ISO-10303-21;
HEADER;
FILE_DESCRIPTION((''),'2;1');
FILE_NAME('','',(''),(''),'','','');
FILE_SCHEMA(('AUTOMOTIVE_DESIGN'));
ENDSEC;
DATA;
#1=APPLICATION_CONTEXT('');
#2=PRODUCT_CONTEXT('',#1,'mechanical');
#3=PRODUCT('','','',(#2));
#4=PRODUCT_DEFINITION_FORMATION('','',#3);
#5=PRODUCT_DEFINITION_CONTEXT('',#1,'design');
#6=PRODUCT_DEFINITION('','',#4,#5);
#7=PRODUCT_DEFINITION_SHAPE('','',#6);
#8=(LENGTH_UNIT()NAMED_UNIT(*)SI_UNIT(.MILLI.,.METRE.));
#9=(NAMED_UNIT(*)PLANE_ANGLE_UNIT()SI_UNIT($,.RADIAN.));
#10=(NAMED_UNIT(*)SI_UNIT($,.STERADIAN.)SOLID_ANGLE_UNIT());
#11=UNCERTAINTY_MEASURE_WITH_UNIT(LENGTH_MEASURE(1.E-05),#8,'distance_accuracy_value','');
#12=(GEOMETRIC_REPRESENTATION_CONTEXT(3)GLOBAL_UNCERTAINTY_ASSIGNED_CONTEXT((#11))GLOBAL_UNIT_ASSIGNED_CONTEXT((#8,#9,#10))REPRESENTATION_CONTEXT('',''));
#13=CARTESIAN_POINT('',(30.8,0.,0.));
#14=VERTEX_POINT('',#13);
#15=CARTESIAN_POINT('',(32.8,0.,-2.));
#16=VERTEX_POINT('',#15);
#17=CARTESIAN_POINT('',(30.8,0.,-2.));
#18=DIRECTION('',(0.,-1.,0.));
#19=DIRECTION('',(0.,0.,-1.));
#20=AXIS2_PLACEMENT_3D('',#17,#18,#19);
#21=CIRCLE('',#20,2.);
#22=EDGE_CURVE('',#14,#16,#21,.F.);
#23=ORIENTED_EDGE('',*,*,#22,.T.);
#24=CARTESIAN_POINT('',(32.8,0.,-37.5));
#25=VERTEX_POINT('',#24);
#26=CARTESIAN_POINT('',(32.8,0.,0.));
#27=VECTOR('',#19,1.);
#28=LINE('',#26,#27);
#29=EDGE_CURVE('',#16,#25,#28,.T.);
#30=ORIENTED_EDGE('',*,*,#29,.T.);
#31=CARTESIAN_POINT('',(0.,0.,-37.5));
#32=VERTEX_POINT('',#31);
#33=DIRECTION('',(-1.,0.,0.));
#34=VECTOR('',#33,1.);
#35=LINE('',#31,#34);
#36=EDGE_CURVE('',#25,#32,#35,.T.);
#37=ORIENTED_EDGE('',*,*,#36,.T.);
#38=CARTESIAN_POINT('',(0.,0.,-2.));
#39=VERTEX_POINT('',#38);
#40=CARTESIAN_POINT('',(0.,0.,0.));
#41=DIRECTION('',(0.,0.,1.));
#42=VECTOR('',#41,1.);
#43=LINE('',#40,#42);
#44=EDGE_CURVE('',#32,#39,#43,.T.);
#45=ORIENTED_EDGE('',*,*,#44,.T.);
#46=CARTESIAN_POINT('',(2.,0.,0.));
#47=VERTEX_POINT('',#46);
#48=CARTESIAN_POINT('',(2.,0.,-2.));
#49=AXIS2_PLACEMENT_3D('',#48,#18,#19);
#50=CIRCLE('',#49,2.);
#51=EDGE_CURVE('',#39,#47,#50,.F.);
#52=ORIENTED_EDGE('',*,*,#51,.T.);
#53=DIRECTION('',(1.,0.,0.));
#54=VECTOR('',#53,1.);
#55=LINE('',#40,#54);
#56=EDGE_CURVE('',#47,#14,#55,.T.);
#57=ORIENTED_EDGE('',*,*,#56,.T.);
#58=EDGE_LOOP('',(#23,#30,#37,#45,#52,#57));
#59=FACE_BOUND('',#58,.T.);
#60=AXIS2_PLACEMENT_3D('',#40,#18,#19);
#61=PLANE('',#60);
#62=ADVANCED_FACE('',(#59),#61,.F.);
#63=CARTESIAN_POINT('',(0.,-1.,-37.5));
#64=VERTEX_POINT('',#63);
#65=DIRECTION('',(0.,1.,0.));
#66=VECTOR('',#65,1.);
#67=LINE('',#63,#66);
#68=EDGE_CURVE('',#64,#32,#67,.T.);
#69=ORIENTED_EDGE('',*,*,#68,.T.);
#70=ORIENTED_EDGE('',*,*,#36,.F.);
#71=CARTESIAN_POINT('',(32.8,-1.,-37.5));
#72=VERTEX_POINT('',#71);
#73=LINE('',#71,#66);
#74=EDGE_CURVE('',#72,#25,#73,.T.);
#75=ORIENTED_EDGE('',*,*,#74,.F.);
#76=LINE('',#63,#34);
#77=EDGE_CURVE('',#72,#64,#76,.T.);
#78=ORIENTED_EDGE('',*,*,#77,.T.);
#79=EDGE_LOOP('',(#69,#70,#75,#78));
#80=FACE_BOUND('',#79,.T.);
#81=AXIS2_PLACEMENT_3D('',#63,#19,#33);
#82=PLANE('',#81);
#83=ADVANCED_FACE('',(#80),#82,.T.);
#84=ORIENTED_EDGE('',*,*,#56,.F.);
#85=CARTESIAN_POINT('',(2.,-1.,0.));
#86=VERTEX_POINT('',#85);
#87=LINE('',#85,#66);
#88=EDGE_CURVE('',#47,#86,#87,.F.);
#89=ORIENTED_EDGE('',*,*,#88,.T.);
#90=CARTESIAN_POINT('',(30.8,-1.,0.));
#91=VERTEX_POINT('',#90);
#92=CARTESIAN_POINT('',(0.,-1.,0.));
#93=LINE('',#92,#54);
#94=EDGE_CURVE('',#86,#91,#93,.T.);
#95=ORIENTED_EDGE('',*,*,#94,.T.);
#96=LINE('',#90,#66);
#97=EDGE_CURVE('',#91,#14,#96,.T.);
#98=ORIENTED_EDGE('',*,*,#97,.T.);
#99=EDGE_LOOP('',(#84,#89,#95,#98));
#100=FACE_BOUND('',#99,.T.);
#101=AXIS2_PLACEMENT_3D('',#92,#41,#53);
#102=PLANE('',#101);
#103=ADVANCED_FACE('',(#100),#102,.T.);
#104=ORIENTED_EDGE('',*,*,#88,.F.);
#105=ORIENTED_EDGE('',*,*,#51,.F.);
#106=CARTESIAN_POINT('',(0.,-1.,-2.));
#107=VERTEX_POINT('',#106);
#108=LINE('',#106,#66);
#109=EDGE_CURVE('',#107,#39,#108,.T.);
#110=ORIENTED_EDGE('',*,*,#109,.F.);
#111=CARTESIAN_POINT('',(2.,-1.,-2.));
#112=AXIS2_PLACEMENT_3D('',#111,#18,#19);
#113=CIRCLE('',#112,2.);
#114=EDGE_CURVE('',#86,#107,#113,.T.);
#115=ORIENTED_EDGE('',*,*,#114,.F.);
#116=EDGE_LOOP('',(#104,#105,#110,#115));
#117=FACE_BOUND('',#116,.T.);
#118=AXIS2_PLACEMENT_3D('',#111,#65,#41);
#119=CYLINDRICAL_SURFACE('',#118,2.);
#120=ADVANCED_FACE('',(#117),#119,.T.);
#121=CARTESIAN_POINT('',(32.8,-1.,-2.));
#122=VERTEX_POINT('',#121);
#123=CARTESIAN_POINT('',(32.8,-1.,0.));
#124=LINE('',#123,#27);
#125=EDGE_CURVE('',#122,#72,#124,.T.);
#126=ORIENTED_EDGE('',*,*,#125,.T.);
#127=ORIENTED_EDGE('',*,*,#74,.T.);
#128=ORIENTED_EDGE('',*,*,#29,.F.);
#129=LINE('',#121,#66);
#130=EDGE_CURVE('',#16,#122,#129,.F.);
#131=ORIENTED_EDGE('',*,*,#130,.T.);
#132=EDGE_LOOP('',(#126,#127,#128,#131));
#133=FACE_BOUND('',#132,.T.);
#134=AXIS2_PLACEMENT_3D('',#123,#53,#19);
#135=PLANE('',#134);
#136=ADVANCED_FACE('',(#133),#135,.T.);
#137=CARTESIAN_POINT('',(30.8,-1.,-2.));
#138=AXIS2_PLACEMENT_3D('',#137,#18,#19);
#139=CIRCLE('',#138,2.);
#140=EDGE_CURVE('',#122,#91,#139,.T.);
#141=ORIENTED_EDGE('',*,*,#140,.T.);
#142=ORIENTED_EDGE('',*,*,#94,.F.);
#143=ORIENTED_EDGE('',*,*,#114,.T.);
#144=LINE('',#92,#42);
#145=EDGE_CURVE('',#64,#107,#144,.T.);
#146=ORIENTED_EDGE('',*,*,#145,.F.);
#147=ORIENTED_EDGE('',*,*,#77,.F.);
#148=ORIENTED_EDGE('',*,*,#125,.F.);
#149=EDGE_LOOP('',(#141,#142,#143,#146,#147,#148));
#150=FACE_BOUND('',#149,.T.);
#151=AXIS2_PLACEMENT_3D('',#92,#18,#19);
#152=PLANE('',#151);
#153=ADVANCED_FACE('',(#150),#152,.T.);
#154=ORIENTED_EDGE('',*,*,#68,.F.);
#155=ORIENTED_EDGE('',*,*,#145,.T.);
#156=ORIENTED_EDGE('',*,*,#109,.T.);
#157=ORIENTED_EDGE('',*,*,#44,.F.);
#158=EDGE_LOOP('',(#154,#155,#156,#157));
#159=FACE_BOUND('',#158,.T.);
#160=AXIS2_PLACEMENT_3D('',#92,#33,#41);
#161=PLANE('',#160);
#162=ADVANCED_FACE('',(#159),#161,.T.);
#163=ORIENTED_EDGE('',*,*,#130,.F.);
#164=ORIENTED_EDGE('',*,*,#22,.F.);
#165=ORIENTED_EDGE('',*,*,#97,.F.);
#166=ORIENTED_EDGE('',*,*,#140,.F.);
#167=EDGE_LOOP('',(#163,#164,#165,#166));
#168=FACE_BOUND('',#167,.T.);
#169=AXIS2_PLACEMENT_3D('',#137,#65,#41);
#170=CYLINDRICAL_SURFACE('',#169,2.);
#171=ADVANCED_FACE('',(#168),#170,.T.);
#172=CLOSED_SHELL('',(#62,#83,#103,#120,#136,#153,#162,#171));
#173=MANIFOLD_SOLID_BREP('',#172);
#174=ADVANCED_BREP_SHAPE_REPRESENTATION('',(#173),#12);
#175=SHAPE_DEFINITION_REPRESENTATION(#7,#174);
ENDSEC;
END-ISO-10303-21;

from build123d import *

# Parameters (mm, degrees)
SKETCH_1_W      = 32.8
SKETCH_1_H      = 37.5
EXTRUDE_1_DEPTH = 1
FILLET_1_R      = 2


with BuildPart() as part:
    # 草图1 → 凸台-拉伸1 (new body)
    with BuildSketch(Plane(origin=(0, 0, 0), x_dir=(1, 0, 0), z_dir=(0, 1, 0))):
        with Locations((16.4, 18.75)):
            Rectangle(SKETCH_1_W, SKETCH_1_H)
    extrude(amount=-EXTRUDE_1_DEPTH)

    # 圆角1
    fillet_1_edges = [part.edges().sort_by_distance(p)[0] for p in [
        (32.8, -0.5, 0),
        (0, -0.5, 0),
    ]]
    fillet(fillet_1_edges, radius=FILLET_1_R)


solid = part.part
